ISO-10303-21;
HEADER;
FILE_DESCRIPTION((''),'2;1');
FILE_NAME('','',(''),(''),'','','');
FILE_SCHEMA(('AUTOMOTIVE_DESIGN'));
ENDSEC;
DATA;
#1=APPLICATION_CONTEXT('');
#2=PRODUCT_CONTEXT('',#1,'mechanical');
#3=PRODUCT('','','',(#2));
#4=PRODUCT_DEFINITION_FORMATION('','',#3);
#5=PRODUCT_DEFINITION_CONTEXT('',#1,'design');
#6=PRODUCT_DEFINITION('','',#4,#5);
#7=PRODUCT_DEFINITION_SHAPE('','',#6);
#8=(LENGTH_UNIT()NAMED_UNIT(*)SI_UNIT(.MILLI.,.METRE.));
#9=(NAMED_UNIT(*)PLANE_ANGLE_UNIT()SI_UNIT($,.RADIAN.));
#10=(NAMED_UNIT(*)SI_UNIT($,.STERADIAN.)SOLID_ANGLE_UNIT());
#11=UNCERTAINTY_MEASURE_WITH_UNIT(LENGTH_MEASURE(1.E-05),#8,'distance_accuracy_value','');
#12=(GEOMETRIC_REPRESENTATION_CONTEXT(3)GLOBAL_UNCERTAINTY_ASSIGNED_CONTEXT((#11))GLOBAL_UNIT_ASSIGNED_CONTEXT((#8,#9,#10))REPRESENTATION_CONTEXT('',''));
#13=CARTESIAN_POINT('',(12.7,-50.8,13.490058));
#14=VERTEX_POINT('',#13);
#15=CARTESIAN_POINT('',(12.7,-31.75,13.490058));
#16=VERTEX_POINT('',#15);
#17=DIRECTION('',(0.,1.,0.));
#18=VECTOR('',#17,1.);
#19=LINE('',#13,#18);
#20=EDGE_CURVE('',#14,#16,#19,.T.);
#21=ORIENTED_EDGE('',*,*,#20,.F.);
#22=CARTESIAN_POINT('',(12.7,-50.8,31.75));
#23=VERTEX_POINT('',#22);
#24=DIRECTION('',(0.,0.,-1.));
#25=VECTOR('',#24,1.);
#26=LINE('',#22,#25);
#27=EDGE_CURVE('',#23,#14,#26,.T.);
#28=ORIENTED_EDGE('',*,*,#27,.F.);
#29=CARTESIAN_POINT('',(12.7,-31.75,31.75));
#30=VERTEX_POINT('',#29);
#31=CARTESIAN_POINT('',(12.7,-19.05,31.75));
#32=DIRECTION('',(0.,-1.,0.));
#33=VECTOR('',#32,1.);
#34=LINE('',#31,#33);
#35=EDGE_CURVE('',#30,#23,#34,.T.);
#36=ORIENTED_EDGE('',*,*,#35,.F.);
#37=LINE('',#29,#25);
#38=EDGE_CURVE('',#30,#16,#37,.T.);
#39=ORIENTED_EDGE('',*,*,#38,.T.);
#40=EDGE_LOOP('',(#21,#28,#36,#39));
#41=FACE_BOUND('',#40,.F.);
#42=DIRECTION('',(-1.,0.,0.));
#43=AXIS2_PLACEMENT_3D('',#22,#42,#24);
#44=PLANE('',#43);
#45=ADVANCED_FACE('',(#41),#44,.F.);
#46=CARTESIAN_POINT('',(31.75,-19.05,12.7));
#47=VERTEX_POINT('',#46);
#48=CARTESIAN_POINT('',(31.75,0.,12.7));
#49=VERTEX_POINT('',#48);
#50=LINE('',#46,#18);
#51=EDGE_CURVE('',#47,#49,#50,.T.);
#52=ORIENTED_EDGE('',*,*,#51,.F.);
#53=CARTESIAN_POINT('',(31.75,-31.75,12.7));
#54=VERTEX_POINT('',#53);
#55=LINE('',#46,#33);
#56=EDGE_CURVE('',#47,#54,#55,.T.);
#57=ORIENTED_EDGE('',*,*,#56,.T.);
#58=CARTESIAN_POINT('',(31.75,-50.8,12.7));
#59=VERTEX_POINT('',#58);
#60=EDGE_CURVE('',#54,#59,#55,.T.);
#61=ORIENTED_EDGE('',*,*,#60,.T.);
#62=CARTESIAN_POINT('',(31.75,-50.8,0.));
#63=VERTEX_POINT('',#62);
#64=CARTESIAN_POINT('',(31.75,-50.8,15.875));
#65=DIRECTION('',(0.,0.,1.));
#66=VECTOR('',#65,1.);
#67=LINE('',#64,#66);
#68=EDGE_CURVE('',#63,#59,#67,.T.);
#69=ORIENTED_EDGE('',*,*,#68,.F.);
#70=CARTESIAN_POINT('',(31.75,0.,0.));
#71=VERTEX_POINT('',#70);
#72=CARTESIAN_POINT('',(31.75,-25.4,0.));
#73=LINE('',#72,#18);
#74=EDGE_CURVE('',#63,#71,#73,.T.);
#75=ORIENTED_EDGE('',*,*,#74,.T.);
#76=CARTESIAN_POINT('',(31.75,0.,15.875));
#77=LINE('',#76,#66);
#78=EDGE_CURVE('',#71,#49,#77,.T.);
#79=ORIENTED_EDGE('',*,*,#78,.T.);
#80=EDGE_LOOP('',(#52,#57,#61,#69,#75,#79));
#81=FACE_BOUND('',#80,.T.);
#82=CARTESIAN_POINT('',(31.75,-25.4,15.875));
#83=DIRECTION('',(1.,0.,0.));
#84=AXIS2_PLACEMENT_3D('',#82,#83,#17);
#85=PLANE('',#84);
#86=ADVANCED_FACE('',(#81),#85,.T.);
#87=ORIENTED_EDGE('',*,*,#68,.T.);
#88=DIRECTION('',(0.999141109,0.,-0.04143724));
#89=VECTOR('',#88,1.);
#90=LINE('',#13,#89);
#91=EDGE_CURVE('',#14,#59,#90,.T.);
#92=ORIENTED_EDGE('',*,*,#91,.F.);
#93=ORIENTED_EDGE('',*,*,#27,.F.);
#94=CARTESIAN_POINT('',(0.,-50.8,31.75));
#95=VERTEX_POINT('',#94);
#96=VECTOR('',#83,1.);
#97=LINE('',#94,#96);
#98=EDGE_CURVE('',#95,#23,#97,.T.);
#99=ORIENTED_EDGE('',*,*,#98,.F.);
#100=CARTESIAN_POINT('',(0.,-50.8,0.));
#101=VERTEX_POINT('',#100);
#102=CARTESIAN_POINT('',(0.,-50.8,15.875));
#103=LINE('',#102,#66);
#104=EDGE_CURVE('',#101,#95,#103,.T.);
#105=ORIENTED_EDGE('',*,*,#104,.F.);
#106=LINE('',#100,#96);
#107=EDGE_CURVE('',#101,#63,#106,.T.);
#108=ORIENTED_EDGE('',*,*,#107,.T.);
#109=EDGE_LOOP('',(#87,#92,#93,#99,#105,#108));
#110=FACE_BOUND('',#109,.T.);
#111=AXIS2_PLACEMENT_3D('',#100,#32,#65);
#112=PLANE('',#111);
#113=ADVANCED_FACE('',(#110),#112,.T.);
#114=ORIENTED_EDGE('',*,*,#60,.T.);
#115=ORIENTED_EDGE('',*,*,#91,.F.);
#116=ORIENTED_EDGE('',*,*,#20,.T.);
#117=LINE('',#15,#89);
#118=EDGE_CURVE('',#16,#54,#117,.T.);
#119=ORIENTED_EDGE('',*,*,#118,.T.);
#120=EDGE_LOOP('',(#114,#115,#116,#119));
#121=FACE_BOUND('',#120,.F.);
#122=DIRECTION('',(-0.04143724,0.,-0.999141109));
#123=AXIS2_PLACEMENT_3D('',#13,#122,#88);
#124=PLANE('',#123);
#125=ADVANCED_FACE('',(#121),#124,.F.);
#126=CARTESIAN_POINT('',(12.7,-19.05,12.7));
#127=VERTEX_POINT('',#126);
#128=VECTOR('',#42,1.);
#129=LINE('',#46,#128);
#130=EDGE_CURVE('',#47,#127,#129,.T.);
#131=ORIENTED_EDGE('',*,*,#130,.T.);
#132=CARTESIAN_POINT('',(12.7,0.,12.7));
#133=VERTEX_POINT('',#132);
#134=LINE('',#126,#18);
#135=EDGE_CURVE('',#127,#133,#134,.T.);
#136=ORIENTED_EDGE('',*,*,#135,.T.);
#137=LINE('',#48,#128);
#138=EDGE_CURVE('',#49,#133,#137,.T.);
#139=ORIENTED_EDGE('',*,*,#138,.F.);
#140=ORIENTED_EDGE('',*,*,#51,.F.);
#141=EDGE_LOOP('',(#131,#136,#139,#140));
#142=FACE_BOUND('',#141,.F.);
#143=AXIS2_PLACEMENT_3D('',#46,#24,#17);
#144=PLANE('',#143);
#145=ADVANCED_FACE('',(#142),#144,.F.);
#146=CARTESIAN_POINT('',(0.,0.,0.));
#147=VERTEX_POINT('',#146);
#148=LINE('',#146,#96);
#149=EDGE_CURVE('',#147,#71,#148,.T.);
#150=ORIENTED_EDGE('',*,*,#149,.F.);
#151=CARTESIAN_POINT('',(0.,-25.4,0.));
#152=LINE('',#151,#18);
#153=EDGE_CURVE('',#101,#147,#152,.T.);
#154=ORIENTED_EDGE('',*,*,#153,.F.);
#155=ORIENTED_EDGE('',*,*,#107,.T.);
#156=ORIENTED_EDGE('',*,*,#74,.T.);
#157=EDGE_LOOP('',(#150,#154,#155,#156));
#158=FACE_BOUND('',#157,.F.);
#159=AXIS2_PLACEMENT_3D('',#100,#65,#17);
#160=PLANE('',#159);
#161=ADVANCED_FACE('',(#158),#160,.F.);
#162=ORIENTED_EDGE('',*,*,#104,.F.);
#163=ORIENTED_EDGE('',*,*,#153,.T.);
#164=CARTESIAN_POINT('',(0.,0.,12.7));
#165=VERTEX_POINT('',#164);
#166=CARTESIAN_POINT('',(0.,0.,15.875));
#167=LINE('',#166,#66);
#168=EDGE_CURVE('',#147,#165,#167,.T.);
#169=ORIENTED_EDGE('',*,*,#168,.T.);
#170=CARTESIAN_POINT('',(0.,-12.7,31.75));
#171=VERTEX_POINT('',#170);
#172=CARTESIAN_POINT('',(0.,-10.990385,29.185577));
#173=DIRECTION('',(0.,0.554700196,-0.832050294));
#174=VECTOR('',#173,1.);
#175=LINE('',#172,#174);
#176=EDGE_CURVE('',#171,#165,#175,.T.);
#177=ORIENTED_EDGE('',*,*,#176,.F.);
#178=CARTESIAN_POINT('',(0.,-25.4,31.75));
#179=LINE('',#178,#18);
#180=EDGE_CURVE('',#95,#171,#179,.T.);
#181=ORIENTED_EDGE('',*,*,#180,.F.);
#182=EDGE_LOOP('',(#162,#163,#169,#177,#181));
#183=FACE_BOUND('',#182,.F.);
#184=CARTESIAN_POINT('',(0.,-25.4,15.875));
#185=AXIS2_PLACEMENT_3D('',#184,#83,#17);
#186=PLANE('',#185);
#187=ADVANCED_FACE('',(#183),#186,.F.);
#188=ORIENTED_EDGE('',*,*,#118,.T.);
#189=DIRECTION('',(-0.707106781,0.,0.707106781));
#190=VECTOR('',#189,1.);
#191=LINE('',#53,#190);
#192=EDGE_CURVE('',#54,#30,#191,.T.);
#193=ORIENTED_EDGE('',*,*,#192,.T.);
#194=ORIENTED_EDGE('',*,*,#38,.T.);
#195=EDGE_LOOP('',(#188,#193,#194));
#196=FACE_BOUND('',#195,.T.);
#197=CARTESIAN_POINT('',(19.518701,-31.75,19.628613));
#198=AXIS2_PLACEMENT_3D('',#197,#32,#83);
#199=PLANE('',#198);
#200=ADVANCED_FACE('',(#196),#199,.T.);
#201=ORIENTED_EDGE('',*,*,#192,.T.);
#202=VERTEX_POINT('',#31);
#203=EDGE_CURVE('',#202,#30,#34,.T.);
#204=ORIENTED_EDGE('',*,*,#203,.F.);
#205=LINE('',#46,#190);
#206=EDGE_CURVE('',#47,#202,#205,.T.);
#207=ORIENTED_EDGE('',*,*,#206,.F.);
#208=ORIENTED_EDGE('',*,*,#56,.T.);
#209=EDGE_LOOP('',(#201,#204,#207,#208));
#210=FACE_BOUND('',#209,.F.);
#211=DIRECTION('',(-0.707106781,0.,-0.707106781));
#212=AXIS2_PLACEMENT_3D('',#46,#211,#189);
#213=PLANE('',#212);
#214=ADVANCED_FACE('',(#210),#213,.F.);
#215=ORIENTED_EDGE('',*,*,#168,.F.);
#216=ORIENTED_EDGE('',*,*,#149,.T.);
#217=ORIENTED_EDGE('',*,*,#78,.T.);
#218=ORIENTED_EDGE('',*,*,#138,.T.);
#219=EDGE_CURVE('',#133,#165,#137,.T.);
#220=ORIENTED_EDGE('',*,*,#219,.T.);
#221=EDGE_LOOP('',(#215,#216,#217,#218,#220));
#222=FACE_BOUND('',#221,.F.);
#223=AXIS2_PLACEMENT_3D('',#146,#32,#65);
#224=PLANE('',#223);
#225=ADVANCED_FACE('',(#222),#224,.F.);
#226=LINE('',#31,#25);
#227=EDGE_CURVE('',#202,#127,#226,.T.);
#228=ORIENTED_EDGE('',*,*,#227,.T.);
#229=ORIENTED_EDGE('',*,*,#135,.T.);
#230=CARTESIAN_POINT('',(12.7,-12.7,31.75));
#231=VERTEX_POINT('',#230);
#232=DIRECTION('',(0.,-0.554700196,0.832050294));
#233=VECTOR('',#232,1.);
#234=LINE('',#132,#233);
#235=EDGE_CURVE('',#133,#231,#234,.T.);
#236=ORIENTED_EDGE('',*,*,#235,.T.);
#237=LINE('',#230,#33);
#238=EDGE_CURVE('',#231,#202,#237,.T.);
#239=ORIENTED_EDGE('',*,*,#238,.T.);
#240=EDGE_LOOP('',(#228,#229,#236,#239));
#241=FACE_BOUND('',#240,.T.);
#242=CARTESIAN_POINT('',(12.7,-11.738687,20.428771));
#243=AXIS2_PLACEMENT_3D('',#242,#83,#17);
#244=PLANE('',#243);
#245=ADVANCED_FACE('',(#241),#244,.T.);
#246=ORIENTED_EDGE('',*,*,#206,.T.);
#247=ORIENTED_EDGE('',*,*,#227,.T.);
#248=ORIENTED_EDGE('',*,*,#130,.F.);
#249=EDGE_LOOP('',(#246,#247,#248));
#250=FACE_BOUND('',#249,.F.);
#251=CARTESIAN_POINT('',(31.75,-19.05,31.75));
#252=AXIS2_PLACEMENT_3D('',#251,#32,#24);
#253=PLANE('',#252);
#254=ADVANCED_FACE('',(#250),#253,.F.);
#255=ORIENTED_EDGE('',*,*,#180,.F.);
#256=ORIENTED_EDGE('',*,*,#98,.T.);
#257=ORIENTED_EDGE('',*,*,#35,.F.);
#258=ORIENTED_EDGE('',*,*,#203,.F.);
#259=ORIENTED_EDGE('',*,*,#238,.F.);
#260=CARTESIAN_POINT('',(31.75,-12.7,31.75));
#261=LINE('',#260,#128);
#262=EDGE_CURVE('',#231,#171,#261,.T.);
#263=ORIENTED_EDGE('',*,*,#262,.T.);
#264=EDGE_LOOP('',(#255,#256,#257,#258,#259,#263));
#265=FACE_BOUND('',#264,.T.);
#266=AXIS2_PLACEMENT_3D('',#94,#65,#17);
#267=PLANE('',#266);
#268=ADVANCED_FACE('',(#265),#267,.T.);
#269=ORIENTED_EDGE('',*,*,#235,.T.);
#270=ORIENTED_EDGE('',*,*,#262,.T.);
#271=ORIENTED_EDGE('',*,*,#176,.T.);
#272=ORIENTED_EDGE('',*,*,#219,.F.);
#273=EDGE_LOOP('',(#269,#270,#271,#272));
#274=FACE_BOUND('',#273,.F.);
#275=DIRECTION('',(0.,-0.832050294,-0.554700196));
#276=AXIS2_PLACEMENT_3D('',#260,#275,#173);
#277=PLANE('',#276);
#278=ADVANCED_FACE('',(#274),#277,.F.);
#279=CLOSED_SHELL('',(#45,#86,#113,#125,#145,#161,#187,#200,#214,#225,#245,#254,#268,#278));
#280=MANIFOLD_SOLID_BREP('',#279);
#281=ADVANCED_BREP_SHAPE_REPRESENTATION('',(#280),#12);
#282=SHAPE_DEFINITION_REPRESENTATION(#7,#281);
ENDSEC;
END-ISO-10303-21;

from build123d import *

# Parameters (mm, degrees)
F0_W     = 50.8
F0_H     = 31.75
F1_DEPTH = 31.75
F3_DEPTH = 31.751
F5_DEPTH = 19.05
F7_DEPTH = 31.751
F9_DEPTH = 19.05


with BuildPart() as f1:
    # F0 (on Right) → F1 (new body)
    with BuildSketch(Plane.YZ):
        with Locations((-25.4, 15.875)):
            Rectangle(F0_W, F0_H)
    extrude(amount=F1_DEPTH)

    # F2 (on face) → F3 (cut, through all)
    with BuildSketch(Plane.YZ.offset(31.75)):
        Polygon((0, 31.75), (-12.7, 31.75), (0, 12.7), align=None)
    extrude(amount=-F3_DEPTH, mode=Mode.SUBTRACT)

    # F4 (on face) → F5 (cut)
    with BuildSketch(Plane.YZ.offset(31.75)):
        Polygon((0, 12.7), (-12.7, 31.75), (-19.05, 31.75), (-19.05, 12.7), align=None)
    extrude(amount=-F5_DEPTH, mode=Mode.SUBTRACT)

    # F6 (on face) → F7 (cut, through all)
    with BuildSketch(Plane(origin=(0, -19.05, 0), x_dir=(-1, 0, 0), z_dir=(0, 1, 0))):
        Polygon((-31.75, 12.7), (-12.7, 31.75), (-31.75, 31.75), align=None)
    extrude(amount=-F7_DEPTH, mode=Mode.SUBTRACT)

    # F8 (on face) → F9 (cut)
    with BuildSketch(Plane.XZ.offset(50.8)):
        Polygon((31.75, 12.7), (12.7, 31.75), (12.7, 13.490058), align=None)
    extrude(amount=-F9_DEPTH, mode=Mode.SUBTRACT)


solid = f1.part
